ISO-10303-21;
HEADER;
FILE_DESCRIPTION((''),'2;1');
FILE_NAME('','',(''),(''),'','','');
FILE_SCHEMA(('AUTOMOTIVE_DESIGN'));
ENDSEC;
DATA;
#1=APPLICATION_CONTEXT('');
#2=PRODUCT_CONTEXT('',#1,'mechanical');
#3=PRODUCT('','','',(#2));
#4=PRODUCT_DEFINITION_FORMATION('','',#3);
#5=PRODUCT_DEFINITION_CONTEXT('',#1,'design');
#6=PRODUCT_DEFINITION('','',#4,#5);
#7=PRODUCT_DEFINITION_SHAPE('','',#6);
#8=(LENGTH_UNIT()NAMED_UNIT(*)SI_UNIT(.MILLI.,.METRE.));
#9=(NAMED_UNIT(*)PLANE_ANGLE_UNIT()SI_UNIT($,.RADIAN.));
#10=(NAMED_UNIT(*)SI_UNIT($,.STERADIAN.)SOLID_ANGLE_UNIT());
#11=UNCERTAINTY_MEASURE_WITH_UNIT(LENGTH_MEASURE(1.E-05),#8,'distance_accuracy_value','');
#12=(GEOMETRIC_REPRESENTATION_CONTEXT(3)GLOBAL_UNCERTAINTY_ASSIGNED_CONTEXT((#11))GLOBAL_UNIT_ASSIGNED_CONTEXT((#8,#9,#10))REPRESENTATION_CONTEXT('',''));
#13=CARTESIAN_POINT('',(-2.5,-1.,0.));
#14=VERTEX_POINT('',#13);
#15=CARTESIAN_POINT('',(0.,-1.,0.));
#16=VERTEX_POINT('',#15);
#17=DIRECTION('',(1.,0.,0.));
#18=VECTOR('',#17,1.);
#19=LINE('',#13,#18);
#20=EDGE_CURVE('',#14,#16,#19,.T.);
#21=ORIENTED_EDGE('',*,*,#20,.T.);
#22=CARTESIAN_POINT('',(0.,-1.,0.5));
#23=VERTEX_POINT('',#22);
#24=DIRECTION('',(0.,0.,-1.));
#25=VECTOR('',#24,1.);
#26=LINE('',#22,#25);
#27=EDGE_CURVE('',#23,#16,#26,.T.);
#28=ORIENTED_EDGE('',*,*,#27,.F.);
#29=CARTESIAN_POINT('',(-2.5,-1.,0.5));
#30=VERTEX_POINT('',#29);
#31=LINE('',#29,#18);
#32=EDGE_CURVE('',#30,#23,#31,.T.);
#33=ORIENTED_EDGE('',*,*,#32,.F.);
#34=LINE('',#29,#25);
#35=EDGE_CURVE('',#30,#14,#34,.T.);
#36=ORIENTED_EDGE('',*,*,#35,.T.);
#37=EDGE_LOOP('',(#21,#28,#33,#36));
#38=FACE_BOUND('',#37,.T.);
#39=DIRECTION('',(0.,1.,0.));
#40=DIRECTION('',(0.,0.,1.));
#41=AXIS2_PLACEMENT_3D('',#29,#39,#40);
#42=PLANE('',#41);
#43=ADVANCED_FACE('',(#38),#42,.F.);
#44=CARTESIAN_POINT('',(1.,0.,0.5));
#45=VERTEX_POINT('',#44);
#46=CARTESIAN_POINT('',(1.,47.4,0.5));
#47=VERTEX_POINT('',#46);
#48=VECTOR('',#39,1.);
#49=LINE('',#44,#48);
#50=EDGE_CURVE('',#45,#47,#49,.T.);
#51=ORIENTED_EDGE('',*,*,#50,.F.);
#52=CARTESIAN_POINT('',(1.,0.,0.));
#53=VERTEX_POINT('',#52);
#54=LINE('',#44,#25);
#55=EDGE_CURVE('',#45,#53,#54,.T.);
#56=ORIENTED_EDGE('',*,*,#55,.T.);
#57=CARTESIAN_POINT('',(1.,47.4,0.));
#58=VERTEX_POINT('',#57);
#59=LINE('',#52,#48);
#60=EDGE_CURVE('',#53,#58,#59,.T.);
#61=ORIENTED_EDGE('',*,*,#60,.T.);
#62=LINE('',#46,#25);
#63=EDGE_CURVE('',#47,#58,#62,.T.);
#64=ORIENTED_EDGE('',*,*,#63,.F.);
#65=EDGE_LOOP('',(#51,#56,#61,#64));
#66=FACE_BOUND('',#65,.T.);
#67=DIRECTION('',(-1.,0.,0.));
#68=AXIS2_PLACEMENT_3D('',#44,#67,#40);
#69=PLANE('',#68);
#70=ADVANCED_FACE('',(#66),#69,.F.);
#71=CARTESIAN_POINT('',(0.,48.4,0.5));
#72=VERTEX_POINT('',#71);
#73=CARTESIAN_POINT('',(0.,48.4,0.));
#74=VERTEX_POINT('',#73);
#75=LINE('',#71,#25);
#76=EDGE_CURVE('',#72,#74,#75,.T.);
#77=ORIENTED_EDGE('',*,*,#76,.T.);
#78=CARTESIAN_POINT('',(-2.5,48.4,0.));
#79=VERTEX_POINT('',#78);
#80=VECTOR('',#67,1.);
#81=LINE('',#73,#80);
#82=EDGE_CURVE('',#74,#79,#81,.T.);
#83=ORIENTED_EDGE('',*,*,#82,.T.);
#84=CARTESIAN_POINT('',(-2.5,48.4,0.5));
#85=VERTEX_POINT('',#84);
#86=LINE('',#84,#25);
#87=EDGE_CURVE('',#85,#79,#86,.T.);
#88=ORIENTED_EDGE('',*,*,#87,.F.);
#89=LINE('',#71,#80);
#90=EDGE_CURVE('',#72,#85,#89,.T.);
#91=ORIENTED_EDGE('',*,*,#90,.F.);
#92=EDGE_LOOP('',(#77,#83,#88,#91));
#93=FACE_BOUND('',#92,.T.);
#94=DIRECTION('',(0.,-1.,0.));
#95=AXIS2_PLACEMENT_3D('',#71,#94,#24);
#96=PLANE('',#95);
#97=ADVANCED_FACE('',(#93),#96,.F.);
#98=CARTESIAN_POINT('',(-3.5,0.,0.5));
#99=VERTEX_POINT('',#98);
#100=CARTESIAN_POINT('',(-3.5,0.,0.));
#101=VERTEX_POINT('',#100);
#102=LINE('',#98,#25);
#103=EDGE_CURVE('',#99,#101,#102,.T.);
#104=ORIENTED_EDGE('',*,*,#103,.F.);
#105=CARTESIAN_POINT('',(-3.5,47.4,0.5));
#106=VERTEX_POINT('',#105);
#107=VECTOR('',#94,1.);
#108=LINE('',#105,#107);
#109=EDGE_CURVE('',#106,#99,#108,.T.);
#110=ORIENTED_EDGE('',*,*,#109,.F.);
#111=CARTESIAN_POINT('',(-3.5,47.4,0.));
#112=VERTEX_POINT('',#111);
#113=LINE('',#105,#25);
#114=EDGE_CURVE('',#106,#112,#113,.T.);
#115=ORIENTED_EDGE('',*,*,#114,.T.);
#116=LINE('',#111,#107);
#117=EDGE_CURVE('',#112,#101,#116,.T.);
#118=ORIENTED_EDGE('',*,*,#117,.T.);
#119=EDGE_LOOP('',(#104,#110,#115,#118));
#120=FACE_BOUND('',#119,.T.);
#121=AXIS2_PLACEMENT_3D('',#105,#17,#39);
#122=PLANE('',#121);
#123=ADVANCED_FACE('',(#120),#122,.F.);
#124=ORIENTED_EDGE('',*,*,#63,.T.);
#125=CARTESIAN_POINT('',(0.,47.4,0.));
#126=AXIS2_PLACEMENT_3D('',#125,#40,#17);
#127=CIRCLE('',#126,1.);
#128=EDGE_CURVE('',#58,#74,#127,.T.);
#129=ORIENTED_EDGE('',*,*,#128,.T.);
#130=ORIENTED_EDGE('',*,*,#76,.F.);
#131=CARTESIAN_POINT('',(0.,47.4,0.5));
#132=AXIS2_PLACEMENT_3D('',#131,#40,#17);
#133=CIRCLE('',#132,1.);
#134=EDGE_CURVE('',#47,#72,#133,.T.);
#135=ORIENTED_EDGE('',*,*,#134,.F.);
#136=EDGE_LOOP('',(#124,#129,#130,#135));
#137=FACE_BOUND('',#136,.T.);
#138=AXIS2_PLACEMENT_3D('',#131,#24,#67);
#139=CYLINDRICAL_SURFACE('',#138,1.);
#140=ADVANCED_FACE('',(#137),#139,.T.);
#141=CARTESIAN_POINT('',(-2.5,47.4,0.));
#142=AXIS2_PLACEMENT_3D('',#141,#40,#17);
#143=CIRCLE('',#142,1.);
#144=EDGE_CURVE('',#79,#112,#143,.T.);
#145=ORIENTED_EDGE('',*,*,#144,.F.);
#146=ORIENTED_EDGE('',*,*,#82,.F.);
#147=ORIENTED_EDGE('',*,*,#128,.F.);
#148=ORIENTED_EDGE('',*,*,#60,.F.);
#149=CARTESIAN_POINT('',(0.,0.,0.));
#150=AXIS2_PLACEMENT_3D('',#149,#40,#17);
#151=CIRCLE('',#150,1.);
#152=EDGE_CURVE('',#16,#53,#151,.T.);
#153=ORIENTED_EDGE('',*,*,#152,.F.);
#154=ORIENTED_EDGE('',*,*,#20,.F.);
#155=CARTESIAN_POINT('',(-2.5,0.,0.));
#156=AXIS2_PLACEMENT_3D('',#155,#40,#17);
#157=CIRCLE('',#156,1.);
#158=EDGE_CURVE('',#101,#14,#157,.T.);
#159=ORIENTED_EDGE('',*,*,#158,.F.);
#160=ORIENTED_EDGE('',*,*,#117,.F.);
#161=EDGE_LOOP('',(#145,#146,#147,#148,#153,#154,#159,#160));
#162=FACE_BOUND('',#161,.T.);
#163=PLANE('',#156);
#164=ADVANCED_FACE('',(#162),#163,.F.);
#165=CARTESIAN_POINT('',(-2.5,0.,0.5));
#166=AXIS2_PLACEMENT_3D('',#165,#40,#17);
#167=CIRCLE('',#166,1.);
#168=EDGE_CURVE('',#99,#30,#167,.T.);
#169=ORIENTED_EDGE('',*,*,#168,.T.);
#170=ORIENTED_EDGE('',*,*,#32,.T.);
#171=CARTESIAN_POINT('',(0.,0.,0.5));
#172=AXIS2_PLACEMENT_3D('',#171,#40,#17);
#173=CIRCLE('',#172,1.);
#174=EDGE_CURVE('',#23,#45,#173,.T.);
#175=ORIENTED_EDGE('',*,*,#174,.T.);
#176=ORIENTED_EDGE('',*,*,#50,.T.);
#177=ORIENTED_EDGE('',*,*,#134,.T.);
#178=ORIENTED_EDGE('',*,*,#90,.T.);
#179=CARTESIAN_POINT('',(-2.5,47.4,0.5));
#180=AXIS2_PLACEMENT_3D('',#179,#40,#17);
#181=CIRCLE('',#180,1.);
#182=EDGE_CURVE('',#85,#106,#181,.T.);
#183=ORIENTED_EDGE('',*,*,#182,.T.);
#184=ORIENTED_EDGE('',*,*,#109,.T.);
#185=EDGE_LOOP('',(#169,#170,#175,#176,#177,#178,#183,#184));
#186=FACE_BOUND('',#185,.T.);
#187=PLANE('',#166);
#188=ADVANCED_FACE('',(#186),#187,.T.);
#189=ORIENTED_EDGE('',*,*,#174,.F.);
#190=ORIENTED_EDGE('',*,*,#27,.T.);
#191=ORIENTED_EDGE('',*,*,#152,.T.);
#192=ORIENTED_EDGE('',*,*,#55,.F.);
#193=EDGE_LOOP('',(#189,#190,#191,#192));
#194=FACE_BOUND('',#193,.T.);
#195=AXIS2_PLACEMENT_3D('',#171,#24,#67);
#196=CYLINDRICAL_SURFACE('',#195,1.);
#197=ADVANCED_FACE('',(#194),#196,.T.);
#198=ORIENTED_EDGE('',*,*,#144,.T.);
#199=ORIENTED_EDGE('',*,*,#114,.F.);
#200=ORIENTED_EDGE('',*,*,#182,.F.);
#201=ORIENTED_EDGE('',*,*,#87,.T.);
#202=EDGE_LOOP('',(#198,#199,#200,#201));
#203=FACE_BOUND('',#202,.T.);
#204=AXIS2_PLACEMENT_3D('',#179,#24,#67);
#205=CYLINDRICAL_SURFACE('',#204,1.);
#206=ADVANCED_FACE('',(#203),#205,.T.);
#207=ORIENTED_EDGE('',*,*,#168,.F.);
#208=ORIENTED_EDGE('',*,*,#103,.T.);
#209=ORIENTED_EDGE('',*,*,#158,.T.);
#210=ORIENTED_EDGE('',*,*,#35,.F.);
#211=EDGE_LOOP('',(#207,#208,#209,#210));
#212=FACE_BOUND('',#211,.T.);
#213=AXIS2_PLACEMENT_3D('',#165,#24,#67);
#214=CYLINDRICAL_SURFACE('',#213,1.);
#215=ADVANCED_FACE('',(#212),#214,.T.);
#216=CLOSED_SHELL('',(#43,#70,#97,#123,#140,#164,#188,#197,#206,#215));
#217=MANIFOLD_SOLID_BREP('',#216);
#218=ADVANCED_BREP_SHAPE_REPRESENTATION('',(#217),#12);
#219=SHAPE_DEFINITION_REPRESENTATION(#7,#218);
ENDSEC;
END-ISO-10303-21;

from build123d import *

# Parameters (mm, degrees)
BOSS_EXTRUDE1_DEPTH = 0.5


with BuildPart() as part:
    # Sketch1 → Boss-Extrude1 (new body)
    with BuildSketch(Plane.XY):
        with BuildLine():
            Line((-2.5, -1), (0, -1))
            ThreePointArc((0, -1), (0.707106781, -0.707106781), (1, 0))
            Line((1, 0), (1, 47.4))
            ThreePointArc((1, 47.4), (0.707106781, 48.107106781), (0, 48.4))
            Line((0, 48.4), (-2.5, 48.4))
            ThreePointArc((-2.5, 48.4), (-3.207106781, 48.107106781), (-3.5, 47.4))
            Line((-3.5, 47.4), (-3.5, 0))
            ThreePointArc((-3.5, 0), (-3.207106781, -0.707106781), (-2.5, -1))
        make_face()
    extrude(amount=BOSS_EXTRUDE1_DEPTH)


solid = part.part
